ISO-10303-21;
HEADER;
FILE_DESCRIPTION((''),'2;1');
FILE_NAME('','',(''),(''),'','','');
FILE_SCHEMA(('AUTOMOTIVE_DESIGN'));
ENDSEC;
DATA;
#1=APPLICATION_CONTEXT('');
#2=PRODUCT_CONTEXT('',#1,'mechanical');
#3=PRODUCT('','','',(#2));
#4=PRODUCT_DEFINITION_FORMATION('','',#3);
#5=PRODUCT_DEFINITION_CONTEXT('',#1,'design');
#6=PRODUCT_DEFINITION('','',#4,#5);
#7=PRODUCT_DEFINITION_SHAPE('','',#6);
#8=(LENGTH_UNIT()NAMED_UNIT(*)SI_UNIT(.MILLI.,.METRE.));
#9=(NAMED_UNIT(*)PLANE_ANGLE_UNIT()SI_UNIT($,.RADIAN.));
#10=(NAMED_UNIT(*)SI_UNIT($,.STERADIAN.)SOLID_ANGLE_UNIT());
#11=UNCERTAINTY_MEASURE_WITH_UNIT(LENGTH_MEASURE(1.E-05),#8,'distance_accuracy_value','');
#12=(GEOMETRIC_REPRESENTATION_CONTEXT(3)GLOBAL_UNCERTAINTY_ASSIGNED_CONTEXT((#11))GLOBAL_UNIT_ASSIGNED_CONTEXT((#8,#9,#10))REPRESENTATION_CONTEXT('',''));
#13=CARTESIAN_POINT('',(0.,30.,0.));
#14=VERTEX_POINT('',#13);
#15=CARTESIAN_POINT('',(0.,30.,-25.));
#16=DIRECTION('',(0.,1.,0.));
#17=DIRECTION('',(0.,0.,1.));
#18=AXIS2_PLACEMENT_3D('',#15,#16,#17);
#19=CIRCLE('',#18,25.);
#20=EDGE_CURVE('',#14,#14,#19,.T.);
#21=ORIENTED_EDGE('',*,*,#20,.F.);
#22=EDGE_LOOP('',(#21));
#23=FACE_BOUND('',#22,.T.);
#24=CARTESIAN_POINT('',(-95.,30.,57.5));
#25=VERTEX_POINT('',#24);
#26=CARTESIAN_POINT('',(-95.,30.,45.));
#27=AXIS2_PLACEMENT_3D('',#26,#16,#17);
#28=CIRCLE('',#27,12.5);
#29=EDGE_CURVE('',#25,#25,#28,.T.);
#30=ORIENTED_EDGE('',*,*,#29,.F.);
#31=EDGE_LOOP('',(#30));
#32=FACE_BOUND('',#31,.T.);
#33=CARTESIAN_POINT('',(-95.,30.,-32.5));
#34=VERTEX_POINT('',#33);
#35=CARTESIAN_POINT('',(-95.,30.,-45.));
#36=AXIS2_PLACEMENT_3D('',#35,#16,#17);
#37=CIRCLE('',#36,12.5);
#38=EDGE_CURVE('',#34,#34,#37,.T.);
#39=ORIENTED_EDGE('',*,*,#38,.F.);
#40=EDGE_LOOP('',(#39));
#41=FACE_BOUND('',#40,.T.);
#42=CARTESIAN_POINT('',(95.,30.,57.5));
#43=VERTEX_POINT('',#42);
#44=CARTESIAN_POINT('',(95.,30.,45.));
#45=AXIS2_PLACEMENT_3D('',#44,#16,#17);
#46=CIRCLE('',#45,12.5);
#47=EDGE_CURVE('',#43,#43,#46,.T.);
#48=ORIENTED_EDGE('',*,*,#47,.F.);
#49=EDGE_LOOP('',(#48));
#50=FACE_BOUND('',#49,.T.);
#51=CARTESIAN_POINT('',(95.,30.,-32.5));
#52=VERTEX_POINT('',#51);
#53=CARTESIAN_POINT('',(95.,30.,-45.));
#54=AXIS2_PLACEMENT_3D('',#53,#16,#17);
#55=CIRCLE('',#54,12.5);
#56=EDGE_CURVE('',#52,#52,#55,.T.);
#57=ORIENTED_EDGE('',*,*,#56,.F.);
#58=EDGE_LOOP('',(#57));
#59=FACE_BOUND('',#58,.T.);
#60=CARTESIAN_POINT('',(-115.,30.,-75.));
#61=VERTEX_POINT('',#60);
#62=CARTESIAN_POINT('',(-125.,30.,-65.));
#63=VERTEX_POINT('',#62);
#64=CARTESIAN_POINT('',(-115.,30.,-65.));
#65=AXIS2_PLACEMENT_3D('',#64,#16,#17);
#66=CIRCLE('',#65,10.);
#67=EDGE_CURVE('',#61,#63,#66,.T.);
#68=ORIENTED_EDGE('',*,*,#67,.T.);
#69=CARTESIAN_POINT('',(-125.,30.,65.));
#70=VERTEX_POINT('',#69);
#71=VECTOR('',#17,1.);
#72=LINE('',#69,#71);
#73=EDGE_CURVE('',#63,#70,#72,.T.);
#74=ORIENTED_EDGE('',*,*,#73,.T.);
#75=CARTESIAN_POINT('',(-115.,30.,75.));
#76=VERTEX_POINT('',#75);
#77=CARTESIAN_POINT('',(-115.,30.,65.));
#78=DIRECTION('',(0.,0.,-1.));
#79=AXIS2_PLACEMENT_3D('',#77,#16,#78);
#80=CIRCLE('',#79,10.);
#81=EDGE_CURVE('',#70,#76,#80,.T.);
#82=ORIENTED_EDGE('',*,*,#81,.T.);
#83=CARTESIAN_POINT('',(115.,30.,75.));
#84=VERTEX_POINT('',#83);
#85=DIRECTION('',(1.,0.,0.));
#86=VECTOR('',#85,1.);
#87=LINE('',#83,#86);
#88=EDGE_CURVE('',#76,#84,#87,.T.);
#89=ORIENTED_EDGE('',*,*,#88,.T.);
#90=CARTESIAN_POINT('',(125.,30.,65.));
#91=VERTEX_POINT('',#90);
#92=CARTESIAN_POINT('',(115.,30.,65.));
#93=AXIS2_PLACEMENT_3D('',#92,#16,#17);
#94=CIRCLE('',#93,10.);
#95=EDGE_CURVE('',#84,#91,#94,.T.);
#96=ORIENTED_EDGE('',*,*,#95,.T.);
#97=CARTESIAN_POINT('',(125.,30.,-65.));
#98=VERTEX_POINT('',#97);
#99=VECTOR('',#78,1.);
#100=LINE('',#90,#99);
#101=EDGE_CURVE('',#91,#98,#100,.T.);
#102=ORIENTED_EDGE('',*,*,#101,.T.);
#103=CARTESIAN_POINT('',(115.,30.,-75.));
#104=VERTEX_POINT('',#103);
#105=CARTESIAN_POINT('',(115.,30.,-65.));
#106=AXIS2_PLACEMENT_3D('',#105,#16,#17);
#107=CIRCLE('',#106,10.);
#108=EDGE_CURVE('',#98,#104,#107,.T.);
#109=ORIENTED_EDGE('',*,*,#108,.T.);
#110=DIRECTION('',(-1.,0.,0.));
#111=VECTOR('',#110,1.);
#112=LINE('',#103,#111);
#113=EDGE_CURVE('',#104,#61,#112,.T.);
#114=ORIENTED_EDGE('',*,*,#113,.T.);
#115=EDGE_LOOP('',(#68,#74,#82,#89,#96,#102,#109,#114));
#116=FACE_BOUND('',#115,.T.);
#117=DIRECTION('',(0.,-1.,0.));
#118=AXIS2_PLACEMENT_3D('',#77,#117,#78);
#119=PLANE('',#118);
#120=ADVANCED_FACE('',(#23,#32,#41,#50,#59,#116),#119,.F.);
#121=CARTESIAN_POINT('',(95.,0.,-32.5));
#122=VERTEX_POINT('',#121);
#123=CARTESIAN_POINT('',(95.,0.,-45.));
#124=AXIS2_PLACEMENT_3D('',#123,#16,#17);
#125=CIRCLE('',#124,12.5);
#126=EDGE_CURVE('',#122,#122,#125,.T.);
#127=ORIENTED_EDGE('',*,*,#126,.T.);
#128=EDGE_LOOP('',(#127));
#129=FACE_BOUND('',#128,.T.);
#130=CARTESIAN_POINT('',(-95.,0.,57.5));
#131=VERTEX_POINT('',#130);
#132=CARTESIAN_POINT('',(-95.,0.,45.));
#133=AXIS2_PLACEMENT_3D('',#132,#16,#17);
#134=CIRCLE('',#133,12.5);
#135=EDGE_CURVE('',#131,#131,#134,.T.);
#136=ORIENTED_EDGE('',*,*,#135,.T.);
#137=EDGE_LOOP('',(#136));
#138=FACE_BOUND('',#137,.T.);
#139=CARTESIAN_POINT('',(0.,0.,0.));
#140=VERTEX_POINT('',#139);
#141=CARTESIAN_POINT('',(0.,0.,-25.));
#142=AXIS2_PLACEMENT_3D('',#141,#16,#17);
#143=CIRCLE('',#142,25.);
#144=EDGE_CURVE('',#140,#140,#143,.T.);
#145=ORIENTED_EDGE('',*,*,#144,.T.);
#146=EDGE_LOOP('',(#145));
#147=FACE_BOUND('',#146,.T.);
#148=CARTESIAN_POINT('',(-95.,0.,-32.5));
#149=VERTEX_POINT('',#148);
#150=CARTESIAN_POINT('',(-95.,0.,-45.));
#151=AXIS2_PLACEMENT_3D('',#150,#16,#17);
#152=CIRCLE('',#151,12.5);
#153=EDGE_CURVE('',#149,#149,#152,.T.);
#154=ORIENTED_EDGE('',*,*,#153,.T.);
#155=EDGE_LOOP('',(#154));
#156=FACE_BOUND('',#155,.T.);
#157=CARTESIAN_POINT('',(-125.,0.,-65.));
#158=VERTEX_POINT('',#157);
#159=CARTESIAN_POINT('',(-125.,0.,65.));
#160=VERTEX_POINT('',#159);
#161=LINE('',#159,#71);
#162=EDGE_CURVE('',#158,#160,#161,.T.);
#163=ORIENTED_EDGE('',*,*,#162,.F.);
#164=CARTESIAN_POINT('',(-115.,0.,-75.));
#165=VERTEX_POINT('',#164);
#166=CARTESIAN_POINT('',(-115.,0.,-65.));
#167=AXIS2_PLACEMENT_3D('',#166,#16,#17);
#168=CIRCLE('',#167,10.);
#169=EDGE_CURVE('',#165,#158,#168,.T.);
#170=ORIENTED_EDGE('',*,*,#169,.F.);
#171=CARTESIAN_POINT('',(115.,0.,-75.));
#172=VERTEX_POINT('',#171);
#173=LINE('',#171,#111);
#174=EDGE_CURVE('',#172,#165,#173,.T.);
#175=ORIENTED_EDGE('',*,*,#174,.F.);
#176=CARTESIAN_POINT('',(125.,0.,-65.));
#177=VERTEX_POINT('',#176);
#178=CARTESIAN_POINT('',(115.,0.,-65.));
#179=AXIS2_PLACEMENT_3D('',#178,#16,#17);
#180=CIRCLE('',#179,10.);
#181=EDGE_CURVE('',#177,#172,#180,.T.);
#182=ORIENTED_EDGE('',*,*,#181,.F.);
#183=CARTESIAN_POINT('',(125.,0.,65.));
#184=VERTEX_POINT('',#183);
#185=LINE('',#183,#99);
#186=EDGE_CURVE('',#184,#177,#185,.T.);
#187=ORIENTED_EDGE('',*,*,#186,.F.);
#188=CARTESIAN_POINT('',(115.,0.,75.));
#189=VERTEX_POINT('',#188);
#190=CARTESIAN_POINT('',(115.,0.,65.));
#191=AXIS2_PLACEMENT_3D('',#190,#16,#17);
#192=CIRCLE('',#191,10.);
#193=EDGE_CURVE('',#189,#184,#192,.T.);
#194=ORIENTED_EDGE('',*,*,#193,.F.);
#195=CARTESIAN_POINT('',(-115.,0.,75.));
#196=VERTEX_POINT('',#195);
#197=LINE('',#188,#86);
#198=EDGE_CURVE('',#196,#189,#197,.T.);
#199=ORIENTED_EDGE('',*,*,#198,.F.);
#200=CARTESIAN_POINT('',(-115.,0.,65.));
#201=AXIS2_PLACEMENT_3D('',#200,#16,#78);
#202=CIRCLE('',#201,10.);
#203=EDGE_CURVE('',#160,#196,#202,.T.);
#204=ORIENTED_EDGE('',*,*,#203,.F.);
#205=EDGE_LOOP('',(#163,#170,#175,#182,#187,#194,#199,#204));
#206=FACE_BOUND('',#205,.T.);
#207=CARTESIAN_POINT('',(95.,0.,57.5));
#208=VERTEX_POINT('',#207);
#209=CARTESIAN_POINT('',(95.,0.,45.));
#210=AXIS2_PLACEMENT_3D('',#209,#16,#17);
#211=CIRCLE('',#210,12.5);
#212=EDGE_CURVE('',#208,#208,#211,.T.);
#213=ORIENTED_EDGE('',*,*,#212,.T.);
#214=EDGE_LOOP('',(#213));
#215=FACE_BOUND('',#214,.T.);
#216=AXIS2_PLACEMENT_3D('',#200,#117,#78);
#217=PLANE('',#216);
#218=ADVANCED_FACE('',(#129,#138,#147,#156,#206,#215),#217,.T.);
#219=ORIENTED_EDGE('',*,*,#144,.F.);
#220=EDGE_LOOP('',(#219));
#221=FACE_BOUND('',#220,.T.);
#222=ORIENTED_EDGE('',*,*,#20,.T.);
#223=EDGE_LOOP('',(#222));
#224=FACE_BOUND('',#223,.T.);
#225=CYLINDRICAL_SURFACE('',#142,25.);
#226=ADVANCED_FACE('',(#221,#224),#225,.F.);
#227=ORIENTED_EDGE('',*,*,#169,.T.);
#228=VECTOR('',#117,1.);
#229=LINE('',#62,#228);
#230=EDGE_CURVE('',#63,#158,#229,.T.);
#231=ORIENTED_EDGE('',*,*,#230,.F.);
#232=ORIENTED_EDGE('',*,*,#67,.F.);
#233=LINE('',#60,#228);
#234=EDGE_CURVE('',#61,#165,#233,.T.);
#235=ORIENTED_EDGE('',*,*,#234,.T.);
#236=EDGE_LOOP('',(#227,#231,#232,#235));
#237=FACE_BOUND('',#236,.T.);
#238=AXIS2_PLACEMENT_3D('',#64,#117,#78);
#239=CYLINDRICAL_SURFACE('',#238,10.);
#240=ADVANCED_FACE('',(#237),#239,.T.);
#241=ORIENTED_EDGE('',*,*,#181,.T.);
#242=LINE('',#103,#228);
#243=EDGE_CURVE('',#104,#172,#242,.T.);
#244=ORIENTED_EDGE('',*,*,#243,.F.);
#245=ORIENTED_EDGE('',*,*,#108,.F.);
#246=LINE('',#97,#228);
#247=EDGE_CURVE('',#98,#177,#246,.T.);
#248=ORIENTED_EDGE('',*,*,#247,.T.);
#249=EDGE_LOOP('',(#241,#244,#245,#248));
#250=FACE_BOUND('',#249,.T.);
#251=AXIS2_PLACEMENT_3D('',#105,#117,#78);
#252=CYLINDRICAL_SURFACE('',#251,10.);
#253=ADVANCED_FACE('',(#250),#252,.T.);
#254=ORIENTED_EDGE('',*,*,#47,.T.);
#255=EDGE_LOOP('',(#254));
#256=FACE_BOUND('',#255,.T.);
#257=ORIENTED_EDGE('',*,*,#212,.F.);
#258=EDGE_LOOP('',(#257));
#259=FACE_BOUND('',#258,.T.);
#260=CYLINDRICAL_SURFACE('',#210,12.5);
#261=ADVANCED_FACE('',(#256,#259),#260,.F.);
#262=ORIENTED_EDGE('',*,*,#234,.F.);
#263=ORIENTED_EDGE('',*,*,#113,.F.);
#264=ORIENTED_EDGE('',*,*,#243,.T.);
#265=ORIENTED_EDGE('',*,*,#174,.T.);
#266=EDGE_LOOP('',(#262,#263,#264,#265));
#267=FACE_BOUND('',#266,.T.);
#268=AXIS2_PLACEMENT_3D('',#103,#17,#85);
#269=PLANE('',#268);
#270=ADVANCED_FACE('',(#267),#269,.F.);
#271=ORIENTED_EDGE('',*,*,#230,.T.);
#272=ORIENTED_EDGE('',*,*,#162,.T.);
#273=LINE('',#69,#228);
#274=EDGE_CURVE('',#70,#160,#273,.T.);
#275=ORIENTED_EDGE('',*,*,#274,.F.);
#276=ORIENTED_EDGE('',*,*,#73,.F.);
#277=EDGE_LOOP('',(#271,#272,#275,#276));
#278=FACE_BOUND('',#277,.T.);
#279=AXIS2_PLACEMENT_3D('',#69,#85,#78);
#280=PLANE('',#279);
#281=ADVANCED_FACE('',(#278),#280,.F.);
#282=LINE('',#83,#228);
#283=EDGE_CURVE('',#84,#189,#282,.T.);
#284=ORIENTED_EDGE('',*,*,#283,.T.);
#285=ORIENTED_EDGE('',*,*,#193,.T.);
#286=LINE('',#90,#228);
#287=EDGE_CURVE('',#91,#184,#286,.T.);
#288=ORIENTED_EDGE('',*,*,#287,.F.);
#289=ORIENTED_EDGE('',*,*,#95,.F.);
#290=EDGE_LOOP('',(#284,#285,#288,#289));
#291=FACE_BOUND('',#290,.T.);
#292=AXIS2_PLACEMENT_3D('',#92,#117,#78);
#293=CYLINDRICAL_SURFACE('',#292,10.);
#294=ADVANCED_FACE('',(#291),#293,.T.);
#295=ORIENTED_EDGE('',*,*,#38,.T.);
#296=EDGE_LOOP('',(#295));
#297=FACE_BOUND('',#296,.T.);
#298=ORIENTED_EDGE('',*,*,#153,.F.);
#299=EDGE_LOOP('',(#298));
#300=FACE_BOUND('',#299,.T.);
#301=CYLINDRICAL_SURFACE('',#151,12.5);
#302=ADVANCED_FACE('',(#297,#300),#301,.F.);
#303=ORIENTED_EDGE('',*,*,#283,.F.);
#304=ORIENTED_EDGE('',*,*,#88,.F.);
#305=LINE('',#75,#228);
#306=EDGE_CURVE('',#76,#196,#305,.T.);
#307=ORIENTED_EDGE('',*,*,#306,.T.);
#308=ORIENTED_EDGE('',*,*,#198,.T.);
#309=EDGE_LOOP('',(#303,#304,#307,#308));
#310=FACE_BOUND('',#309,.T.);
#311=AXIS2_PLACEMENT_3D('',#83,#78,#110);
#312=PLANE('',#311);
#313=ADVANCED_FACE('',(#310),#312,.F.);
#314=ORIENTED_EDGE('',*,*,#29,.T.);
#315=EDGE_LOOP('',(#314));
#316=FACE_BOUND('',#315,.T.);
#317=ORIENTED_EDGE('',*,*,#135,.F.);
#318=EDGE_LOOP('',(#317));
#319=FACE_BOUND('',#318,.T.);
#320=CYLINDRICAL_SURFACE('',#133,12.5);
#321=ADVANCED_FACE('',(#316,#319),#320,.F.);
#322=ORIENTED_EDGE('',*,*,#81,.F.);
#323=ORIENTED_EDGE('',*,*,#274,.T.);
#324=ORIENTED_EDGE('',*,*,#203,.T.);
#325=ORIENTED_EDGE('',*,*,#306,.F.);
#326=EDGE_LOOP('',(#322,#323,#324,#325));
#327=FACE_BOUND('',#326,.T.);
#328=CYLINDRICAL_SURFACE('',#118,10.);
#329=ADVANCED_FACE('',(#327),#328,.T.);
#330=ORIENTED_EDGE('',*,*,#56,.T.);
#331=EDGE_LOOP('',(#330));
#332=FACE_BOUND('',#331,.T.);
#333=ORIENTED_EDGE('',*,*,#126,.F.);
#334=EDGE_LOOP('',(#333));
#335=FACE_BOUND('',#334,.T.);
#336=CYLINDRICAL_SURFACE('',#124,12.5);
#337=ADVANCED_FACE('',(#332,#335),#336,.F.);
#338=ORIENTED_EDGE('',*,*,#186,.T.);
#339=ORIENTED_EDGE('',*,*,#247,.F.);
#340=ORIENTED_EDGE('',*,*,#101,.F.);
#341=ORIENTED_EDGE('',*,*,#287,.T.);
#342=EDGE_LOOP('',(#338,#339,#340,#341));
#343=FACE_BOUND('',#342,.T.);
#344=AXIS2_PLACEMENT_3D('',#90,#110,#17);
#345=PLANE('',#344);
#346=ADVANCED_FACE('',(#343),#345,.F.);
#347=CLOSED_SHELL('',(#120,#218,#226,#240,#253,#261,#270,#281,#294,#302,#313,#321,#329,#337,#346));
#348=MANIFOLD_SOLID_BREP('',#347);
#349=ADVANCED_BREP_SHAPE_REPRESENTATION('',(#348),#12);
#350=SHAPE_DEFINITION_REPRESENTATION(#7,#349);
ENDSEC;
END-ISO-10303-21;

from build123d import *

# Parameters (mm, degrees)
BOSS_EXTRUDE1_DEPTH = 30
SKETCH2_R           = 25
SKETCH2_R_2         = 12.5
CUT_EXTRUDE1_DEPTH  = 31


with BuildPart() as part:
    # Sketch1 → Boss-Extrude1 (new body)
    with BuildSketch(Plane(origin=(0, 0, 0), x_dir=(1, 0, 0), z_dir=(0, 1, 0))):
        with BuildLine():
            Line((115, -75), (-115, -75))
            ThreePointArc((-115, -75), (-122.071067812, -72.071067812), (-125, -65))
            Line((-125, -65), (-125, 65))
            ThreePointArc((-125, 65), (-122.071067812, 72.071067812), (-115, 75))
            Line((-115, 75), (115, 75))
            ThreePointArc((115, 75), (122.071067812, 72.071067812), (125, 65))
            Line((125, 65), (125, -65))
            ThreePointArc((125, -65), (122.071067812, -72.071067812), (115, -75))
        make_face()
    extrude(amount=BOSS_EXTRUDE1_DEPTH)

    # Sketch2 → Cut-Extrude1 (cut, through all)
    with BuildSketch(Plane(origin=(0, 30, 0), x_dir=(1, 0, 0), z_dir=(0, 1, 0))):
        with Locations((0, 25)):
            Circle(SKETCH2_R)
        with Locations((-95, 45)):
            Circle(SKETCH2_R_2)
        with Locations((95, 45)):
            Circle(SKETCH2_R_2)
        with Locations((95, -45)):
            Circle(SKETCH2_R_2)
        with Locations((-95, -45)):
            Circle(SKETCH2_R_2)
    extrude(amount=-CUT_EXTRUDE1_DEPTH, mode=Mode.SUBTRACT)


solid = part.part
